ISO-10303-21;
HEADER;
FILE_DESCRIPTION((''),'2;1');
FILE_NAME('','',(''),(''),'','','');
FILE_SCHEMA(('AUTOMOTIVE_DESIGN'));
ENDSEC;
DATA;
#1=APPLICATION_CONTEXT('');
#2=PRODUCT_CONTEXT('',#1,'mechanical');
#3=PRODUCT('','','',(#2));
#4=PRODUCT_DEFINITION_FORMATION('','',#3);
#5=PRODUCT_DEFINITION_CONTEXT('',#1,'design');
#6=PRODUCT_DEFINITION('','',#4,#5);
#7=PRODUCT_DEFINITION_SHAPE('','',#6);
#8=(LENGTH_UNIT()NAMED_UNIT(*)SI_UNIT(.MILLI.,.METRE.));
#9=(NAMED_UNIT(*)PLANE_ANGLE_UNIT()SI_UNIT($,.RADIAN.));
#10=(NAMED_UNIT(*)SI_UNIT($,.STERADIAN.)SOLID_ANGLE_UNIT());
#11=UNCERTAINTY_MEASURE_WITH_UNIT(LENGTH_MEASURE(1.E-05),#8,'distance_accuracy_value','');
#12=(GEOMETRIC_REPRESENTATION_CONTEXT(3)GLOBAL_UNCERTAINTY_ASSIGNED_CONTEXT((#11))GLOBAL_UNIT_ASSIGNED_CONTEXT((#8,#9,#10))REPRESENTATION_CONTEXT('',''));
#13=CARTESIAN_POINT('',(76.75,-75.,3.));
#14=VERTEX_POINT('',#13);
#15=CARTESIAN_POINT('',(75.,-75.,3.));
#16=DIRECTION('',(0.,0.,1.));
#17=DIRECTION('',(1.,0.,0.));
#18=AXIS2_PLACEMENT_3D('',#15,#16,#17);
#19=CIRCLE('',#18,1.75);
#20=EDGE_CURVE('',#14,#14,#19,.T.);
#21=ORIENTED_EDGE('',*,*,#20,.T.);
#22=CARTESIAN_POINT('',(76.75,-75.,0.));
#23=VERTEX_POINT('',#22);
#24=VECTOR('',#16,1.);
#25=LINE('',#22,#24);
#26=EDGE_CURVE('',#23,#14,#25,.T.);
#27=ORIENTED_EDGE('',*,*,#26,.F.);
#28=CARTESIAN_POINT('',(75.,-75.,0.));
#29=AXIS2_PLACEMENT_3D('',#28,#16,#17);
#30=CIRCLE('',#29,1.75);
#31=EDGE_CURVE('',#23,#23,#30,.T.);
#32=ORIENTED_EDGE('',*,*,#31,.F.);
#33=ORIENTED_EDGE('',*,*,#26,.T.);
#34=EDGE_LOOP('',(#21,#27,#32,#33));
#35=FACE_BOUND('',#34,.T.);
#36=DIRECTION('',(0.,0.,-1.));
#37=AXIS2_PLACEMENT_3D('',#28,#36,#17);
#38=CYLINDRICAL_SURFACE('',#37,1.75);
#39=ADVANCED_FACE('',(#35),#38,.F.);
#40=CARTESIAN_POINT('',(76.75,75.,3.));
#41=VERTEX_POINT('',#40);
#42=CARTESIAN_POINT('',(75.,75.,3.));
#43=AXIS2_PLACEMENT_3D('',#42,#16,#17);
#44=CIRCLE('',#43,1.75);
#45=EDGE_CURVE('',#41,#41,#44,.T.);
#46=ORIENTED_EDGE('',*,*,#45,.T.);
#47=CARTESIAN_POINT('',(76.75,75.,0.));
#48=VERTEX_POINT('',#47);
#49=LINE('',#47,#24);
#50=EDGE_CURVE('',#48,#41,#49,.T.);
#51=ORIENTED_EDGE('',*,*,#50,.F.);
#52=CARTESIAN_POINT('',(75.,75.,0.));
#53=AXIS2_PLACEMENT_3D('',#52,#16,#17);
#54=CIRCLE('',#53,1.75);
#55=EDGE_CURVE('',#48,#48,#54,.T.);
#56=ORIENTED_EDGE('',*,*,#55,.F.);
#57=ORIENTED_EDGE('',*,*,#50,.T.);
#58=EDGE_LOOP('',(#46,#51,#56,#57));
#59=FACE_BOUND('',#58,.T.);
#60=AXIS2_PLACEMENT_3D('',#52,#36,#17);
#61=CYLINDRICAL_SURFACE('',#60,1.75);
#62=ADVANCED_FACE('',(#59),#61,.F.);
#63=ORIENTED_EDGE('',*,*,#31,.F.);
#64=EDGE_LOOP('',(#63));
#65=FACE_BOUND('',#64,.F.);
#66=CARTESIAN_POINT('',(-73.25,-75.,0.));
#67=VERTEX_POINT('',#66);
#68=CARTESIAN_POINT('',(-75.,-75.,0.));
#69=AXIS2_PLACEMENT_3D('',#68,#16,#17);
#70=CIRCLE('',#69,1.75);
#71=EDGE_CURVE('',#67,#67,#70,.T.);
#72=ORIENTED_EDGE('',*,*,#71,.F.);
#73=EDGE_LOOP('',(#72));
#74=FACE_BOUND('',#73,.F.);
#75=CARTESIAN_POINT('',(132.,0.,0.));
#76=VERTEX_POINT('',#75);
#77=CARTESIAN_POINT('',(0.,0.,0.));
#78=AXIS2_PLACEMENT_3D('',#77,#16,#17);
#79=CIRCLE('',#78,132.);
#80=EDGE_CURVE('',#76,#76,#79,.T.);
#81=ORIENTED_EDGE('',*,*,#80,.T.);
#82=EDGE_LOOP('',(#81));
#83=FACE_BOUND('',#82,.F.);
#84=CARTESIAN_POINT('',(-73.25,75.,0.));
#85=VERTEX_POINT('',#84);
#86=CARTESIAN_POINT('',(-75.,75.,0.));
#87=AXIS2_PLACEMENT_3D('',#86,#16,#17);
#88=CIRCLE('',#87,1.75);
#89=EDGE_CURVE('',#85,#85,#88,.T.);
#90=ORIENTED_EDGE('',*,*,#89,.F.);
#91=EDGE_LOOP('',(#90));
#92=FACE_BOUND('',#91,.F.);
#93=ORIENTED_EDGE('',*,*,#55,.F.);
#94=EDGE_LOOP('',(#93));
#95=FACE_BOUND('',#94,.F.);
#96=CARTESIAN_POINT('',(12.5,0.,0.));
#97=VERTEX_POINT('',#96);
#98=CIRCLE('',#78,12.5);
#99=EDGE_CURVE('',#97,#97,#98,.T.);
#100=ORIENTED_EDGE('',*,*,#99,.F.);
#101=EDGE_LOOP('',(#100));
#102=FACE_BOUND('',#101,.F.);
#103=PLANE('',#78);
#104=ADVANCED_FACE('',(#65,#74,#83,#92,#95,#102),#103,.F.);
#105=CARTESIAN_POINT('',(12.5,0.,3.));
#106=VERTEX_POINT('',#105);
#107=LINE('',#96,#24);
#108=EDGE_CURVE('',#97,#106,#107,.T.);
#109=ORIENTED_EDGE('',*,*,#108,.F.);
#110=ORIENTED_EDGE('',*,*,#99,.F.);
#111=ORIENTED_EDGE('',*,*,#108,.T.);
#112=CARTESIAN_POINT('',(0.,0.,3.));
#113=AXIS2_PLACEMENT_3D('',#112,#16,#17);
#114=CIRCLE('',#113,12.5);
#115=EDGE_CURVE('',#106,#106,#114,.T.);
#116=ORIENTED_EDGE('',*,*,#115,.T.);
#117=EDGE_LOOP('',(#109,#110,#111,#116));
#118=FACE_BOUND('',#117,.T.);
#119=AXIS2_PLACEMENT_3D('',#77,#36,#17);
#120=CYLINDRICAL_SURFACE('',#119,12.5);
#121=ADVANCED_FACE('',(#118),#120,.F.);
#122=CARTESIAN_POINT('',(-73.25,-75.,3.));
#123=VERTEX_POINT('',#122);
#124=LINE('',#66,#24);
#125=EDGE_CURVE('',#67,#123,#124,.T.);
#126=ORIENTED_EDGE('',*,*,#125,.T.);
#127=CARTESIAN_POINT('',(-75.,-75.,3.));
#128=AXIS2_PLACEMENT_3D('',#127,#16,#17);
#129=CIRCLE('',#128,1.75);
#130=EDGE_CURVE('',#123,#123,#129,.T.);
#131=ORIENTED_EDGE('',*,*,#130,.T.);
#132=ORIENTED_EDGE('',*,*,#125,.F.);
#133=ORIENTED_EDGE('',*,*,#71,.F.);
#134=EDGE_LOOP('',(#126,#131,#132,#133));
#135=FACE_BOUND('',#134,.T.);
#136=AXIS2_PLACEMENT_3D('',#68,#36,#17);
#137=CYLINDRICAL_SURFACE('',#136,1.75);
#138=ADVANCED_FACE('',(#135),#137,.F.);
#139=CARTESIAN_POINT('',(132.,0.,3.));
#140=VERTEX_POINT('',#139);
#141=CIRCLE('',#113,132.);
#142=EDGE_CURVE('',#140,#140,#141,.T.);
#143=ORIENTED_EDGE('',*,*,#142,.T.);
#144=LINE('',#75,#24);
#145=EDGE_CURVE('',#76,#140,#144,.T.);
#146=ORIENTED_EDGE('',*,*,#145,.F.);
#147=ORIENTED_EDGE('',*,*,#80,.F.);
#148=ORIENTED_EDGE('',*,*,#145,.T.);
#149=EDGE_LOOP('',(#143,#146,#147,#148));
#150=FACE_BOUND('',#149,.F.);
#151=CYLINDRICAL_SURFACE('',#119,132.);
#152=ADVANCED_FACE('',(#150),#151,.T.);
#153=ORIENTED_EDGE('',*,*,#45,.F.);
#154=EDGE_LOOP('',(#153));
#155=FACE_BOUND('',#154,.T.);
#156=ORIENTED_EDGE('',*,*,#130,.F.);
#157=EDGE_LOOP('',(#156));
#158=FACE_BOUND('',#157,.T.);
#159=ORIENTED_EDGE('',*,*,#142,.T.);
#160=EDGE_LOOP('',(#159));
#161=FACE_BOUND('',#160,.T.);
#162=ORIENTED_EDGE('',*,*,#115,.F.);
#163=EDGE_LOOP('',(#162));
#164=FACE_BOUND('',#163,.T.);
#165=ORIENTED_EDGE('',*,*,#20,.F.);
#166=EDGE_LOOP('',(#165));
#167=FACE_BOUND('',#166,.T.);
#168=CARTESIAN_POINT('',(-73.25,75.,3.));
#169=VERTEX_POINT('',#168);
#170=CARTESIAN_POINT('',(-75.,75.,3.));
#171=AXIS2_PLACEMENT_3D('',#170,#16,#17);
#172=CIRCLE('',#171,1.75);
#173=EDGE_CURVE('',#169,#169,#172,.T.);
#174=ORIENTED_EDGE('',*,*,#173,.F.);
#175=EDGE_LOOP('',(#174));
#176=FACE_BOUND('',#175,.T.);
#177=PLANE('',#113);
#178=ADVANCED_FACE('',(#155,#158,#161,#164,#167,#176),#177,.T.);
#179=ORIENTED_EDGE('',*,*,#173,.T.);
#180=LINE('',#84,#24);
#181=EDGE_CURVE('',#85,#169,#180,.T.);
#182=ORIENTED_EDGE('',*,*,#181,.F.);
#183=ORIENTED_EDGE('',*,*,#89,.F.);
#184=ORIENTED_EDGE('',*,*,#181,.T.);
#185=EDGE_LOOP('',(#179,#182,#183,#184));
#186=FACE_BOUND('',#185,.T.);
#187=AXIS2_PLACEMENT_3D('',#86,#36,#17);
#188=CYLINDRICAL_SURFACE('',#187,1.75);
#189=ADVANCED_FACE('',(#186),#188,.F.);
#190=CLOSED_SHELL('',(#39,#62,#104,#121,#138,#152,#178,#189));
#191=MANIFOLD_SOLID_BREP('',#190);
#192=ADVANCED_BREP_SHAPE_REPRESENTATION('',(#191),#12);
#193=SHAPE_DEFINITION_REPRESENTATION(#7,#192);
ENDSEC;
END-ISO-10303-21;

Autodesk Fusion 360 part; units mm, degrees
sketch "Sketch1" plane through (0, 0, 0) normal (0, 0, 1) x (1, 0, 0)
  circle A0 centre (-75, 75) radius 1.75
  circle A1 centre (-75, -75) radius 1.75
  circle A2 centre (75, -75) radius 1.75
  circle A3 centre (75, 75) radius 1.75
  circle A4 centre (0, 0) radius 132
  circle A5 centre (0, 0) radius 12.5
  dimension "d1" = 264
  dimension "d4" = 3.5
  dimension "d6" = 360
  dimension "d46" = 75
  dimension "d47" = 75
  dimension "d48" = 25
extrude "Extrude1" add sketch "Sketch1" along normal blind 3
